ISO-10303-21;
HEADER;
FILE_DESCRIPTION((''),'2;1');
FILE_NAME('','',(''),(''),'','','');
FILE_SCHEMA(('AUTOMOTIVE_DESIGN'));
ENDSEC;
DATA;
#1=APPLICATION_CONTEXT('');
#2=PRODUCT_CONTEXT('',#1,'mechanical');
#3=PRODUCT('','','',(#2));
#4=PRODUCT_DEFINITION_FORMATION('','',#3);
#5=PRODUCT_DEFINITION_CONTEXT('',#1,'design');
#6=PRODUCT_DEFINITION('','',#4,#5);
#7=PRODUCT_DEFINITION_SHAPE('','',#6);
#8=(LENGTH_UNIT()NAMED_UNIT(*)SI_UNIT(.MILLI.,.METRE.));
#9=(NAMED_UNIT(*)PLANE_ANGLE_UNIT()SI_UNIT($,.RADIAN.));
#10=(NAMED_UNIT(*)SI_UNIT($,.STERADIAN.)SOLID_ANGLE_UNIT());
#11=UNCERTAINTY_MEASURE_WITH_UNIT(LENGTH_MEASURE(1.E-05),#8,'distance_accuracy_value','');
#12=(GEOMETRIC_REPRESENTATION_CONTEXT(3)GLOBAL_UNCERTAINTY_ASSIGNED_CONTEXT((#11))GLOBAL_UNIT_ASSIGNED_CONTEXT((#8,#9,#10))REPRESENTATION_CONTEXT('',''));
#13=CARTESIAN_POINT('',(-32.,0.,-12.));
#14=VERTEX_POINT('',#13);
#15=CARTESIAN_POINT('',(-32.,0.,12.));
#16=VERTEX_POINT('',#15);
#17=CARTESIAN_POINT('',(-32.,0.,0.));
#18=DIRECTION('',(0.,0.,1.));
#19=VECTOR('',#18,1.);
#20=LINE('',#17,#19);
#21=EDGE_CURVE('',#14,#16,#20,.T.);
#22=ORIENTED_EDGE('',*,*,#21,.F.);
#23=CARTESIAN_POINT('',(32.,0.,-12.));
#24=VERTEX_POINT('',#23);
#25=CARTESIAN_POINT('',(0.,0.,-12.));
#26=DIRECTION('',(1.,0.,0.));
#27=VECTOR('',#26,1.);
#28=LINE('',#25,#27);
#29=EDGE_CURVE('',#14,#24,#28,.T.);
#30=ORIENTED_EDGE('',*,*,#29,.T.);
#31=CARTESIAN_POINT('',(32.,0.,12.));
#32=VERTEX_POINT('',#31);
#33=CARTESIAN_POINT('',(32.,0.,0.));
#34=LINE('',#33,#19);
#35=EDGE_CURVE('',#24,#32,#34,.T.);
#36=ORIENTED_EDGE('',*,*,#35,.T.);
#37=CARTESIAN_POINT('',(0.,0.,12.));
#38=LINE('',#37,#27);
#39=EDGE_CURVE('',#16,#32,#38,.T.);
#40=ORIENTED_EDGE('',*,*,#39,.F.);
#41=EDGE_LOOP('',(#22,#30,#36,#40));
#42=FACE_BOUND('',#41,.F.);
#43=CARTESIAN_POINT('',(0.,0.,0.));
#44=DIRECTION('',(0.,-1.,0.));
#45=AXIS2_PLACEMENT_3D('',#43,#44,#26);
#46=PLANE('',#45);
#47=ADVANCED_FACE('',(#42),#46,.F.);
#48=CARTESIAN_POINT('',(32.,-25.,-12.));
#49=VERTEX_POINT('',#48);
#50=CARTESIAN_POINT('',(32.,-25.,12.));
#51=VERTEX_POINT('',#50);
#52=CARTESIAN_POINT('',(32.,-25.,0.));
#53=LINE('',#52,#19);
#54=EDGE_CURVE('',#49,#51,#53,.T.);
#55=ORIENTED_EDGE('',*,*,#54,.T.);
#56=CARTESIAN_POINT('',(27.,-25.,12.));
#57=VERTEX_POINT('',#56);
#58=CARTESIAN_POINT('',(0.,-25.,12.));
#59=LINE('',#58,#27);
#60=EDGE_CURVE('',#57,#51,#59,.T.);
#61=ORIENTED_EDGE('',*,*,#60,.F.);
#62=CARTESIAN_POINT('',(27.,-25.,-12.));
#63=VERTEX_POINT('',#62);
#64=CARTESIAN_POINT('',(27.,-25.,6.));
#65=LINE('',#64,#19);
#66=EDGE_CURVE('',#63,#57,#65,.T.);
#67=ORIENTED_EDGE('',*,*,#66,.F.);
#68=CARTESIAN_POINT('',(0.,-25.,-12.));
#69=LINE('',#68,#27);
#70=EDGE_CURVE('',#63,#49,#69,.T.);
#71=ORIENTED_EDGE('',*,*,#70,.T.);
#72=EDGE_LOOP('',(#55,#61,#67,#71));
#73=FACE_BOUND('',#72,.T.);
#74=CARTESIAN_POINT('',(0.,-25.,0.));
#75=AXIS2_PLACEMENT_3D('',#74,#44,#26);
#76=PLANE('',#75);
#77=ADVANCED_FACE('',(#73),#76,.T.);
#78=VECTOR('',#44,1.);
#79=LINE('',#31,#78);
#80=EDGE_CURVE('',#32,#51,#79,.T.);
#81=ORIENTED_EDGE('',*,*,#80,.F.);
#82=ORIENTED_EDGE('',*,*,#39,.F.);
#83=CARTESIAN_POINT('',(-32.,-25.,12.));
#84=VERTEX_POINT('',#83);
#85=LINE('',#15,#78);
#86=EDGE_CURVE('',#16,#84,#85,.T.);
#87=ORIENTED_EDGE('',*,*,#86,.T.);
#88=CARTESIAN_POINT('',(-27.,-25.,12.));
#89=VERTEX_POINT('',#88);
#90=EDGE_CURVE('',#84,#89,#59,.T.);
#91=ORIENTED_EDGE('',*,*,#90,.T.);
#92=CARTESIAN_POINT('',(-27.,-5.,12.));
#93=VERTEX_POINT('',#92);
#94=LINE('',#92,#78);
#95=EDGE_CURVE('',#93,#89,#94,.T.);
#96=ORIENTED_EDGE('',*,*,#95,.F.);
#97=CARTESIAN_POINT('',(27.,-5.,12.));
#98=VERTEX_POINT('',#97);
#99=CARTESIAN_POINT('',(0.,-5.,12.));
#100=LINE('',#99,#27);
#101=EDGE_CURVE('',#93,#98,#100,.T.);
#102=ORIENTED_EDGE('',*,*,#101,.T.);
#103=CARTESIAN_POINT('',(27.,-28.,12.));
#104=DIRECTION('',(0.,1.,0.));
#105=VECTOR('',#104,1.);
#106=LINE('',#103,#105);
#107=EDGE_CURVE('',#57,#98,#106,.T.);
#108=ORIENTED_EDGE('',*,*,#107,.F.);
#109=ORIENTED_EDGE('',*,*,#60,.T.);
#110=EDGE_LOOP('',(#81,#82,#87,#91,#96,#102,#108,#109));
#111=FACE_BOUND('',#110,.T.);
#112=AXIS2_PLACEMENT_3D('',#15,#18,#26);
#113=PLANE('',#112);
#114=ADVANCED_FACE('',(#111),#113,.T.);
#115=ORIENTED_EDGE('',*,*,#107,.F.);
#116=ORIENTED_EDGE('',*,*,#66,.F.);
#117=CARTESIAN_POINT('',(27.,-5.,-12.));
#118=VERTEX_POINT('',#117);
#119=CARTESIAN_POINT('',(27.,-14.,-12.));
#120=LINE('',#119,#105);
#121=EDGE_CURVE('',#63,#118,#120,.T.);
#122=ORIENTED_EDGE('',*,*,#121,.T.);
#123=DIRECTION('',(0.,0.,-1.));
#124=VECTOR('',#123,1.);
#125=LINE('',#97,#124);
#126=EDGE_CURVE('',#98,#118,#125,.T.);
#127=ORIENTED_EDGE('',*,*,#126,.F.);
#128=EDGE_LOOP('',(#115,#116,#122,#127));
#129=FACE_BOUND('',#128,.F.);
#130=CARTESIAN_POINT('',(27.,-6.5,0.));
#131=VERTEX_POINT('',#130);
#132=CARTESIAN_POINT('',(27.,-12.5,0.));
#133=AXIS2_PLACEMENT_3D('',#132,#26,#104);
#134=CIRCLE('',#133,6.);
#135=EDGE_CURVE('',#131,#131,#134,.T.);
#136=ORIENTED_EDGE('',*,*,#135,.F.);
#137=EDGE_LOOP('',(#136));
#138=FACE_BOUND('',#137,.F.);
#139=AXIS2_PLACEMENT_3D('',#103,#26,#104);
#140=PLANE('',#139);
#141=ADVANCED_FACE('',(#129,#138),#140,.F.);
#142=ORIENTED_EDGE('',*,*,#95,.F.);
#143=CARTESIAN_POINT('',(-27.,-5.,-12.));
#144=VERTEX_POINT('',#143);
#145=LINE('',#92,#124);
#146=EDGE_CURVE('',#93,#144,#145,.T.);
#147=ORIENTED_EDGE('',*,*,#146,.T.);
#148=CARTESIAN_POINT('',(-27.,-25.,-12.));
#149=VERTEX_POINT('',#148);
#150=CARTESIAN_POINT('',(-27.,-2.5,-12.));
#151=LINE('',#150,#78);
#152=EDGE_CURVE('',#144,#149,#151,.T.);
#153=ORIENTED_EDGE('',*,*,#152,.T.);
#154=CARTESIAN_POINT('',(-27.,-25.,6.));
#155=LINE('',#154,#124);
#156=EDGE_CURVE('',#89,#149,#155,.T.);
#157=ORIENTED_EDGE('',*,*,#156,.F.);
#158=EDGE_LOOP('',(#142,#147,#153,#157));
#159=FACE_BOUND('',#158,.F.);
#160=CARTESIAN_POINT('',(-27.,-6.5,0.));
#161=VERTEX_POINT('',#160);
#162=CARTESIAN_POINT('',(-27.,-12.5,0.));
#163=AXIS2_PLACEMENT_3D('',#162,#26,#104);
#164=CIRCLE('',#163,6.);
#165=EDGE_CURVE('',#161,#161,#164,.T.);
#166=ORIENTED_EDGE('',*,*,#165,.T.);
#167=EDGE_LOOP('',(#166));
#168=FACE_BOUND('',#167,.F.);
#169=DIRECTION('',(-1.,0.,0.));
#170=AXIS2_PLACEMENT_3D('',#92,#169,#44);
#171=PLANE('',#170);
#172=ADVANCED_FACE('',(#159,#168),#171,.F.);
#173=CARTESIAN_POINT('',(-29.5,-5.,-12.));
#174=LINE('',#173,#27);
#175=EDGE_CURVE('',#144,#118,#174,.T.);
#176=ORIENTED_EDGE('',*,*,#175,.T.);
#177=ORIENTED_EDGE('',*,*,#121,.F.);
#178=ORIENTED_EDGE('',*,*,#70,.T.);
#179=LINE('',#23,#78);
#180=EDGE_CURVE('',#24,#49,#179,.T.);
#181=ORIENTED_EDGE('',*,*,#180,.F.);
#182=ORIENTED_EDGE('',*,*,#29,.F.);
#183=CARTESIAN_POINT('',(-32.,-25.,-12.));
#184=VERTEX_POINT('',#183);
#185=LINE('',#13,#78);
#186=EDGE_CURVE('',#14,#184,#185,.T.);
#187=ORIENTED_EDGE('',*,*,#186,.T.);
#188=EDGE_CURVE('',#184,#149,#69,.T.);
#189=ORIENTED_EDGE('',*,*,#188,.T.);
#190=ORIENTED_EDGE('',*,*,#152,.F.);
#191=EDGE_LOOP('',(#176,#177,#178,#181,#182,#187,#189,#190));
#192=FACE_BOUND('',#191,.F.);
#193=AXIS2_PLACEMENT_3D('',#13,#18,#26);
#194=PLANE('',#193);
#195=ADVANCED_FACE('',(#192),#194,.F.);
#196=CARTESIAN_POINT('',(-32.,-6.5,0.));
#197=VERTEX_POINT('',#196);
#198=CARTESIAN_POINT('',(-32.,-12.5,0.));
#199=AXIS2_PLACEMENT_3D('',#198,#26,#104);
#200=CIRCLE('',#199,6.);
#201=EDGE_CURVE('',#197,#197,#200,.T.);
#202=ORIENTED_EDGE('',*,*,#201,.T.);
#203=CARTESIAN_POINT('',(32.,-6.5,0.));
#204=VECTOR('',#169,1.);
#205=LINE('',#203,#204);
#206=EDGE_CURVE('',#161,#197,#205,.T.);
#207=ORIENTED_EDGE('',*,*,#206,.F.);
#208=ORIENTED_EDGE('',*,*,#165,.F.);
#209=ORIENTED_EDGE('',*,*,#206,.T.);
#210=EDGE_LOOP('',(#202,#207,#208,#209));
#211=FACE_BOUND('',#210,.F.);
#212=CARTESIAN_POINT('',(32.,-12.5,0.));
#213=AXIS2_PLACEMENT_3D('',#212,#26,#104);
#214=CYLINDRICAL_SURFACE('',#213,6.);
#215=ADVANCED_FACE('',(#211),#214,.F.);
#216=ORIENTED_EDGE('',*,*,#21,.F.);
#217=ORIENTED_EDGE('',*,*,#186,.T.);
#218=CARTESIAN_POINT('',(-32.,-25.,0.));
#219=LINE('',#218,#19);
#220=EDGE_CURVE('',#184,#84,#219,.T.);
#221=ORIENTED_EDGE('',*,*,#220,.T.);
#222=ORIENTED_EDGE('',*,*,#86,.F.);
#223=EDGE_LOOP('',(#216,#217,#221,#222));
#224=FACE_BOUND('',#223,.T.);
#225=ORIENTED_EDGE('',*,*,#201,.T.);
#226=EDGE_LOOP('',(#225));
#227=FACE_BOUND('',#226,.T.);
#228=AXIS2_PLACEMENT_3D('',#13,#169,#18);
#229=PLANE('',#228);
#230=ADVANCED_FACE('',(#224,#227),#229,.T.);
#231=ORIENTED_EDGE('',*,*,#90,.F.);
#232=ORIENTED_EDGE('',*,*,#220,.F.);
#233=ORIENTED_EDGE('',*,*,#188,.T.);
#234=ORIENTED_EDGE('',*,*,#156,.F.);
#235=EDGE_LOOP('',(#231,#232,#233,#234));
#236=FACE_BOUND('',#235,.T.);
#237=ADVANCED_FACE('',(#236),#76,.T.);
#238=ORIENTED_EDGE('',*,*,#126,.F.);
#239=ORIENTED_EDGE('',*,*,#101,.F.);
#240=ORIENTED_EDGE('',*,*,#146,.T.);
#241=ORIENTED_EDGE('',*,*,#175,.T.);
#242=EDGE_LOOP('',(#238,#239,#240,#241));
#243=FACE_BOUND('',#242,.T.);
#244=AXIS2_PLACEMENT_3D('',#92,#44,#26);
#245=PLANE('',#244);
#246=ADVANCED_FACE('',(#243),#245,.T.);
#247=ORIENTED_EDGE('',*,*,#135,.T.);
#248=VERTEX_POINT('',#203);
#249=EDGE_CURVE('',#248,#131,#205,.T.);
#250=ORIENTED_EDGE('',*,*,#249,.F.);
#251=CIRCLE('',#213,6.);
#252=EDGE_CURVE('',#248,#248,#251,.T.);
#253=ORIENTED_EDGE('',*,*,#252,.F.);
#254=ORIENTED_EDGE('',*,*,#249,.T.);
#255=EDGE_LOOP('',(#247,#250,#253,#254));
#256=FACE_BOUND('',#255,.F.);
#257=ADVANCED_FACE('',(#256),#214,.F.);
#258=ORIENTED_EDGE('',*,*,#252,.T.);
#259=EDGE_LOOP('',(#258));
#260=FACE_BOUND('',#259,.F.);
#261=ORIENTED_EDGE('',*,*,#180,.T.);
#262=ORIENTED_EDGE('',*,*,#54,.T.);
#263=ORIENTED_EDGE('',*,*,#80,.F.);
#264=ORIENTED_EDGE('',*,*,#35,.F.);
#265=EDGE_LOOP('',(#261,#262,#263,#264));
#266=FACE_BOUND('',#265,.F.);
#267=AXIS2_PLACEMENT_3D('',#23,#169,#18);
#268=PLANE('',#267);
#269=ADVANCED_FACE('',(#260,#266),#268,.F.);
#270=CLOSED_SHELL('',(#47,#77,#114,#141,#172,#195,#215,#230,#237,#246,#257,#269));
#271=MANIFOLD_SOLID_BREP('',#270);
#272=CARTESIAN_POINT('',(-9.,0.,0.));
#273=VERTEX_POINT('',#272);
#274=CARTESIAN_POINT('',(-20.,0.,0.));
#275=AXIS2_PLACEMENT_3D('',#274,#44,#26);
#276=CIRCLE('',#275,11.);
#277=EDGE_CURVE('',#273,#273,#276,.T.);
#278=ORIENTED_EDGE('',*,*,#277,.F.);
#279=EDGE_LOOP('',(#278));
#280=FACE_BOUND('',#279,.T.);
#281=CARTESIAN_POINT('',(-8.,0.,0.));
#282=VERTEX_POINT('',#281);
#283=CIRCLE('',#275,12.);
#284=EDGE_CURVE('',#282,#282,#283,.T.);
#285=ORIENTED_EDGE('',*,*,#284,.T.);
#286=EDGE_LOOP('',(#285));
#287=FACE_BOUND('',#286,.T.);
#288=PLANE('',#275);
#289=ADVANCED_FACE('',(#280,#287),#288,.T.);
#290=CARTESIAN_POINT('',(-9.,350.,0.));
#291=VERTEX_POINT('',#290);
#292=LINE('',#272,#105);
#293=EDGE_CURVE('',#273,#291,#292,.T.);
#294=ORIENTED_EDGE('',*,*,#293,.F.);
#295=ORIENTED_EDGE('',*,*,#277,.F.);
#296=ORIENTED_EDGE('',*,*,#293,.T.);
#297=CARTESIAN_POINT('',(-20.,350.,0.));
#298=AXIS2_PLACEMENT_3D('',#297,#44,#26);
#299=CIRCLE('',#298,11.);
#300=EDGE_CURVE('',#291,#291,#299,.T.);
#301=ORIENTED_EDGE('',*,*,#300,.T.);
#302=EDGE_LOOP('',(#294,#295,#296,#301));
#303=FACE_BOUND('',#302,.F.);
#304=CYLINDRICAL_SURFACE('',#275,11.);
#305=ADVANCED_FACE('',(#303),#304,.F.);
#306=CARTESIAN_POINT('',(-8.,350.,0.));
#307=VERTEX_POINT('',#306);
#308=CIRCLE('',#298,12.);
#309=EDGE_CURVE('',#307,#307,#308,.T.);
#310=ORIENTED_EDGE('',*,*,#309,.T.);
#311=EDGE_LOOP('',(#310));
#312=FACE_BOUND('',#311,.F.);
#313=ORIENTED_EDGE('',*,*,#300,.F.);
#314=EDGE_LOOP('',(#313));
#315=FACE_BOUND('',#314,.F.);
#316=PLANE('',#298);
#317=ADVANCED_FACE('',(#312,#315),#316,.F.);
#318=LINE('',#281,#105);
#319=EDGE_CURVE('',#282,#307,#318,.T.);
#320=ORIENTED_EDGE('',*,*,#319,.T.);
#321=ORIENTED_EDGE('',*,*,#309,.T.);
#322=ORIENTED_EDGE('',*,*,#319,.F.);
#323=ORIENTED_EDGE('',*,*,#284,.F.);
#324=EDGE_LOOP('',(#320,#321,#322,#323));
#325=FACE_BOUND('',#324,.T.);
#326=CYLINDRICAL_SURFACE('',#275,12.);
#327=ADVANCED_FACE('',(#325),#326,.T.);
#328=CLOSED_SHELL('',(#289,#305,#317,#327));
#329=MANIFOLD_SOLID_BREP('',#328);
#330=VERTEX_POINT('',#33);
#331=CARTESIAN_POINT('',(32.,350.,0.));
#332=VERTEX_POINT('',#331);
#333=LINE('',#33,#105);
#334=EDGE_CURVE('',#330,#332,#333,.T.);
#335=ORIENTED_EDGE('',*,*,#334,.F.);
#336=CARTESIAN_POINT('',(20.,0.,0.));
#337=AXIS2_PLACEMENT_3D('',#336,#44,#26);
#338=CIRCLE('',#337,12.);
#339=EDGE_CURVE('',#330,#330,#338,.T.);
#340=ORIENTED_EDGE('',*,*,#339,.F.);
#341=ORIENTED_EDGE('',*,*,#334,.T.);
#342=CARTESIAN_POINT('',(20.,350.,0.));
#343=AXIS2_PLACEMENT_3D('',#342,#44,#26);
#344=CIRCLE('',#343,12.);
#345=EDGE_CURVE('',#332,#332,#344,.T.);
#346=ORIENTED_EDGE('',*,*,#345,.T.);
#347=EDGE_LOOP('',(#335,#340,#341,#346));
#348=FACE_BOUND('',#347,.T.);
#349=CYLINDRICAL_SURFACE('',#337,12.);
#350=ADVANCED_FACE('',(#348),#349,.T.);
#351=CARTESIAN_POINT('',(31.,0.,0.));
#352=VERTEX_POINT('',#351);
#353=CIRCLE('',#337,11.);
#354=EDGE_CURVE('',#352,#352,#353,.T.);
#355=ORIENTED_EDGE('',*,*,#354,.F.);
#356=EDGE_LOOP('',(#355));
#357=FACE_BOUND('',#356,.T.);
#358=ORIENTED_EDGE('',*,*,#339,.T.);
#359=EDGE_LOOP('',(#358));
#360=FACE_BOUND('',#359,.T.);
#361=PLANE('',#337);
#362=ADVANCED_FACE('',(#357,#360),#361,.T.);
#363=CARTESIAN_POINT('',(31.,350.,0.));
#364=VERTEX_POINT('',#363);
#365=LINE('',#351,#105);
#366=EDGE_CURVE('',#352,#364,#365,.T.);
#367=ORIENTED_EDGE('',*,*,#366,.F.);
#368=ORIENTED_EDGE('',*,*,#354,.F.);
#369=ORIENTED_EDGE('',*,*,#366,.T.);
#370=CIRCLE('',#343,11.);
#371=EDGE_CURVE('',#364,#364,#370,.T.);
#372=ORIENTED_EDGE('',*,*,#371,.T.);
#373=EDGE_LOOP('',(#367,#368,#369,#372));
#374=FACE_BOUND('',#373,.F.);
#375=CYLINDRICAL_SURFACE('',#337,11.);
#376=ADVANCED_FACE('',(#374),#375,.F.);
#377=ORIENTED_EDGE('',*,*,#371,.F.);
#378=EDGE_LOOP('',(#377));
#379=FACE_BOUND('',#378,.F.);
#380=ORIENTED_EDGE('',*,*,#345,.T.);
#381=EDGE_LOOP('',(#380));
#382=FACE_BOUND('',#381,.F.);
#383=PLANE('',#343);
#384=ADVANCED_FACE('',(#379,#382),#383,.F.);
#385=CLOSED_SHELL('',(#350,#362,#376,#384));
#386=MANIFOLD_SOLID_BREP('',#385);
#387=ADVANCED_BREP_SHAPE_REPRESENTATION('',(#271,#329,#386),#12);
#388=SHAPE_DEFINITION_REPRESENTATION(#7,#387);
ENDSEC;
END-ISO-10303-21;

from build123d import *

# Parameters (mm, degrees)
F0_R     = 12
F0_R_2   = 11
F1_DEPTH = 350
F2_W     = 64
F2_H     = 24
F3_DEPTH = 25
F4_R     = 6
F5_DEPTH = 64.001
F6_W     = 54
F6_H     = 3
F6_H_2   = 20
F7_DEPTH = 24.001


with BuildPart() as f1:
    # F0 (on Front) → F1 (new body)
    with BuildSketch(Plane.XZ):
        with Locations((-20, 0)):
            Circle(F0_R)
        with Locations((-20, 0)):
            Circle(F0_R_2, mode=Mode.SUBTRACT)
        with Locations((20, 0)):
            Circle(F0_R)
        with Locations((20, 0)):
            Circle(F0_R_2, mode=Mode.SUBTRACT)
    extrude(amount=-F1_DEPTH)


with BuildPart() as f3:
    # F2 (on Front) → F3 (new body)
    with BuildSketch(Plane.XZ):
        Rectangle(F2_W, F2_H)
    extrude(amount=F3_DEPTH)

    # F4 (on face) → F5 (cut, through all)
    with BuildSketch(Plane.YZ.offset(32)):
        with Locations((-12.5, 0)):
            Circle(F4_R)
    extrude(amount=-F5_DEPTH, mode=Mode.SUBTRACT)

    # F6 (on face) → F7 (cut, through all)
    with BuildSketch(Plane.XY.offset(12)):
        with Locations((0, -26.5)):
            Rectangle(F6_W, F6_H)
        with Locations((0, -15)):
            Rectangle(F6_W, F6_H_2)
    extrude(amount=-F7_DEPTH, mode=Mode.SUBTRACT)


solid = Compound([f1.part, f3.part])
